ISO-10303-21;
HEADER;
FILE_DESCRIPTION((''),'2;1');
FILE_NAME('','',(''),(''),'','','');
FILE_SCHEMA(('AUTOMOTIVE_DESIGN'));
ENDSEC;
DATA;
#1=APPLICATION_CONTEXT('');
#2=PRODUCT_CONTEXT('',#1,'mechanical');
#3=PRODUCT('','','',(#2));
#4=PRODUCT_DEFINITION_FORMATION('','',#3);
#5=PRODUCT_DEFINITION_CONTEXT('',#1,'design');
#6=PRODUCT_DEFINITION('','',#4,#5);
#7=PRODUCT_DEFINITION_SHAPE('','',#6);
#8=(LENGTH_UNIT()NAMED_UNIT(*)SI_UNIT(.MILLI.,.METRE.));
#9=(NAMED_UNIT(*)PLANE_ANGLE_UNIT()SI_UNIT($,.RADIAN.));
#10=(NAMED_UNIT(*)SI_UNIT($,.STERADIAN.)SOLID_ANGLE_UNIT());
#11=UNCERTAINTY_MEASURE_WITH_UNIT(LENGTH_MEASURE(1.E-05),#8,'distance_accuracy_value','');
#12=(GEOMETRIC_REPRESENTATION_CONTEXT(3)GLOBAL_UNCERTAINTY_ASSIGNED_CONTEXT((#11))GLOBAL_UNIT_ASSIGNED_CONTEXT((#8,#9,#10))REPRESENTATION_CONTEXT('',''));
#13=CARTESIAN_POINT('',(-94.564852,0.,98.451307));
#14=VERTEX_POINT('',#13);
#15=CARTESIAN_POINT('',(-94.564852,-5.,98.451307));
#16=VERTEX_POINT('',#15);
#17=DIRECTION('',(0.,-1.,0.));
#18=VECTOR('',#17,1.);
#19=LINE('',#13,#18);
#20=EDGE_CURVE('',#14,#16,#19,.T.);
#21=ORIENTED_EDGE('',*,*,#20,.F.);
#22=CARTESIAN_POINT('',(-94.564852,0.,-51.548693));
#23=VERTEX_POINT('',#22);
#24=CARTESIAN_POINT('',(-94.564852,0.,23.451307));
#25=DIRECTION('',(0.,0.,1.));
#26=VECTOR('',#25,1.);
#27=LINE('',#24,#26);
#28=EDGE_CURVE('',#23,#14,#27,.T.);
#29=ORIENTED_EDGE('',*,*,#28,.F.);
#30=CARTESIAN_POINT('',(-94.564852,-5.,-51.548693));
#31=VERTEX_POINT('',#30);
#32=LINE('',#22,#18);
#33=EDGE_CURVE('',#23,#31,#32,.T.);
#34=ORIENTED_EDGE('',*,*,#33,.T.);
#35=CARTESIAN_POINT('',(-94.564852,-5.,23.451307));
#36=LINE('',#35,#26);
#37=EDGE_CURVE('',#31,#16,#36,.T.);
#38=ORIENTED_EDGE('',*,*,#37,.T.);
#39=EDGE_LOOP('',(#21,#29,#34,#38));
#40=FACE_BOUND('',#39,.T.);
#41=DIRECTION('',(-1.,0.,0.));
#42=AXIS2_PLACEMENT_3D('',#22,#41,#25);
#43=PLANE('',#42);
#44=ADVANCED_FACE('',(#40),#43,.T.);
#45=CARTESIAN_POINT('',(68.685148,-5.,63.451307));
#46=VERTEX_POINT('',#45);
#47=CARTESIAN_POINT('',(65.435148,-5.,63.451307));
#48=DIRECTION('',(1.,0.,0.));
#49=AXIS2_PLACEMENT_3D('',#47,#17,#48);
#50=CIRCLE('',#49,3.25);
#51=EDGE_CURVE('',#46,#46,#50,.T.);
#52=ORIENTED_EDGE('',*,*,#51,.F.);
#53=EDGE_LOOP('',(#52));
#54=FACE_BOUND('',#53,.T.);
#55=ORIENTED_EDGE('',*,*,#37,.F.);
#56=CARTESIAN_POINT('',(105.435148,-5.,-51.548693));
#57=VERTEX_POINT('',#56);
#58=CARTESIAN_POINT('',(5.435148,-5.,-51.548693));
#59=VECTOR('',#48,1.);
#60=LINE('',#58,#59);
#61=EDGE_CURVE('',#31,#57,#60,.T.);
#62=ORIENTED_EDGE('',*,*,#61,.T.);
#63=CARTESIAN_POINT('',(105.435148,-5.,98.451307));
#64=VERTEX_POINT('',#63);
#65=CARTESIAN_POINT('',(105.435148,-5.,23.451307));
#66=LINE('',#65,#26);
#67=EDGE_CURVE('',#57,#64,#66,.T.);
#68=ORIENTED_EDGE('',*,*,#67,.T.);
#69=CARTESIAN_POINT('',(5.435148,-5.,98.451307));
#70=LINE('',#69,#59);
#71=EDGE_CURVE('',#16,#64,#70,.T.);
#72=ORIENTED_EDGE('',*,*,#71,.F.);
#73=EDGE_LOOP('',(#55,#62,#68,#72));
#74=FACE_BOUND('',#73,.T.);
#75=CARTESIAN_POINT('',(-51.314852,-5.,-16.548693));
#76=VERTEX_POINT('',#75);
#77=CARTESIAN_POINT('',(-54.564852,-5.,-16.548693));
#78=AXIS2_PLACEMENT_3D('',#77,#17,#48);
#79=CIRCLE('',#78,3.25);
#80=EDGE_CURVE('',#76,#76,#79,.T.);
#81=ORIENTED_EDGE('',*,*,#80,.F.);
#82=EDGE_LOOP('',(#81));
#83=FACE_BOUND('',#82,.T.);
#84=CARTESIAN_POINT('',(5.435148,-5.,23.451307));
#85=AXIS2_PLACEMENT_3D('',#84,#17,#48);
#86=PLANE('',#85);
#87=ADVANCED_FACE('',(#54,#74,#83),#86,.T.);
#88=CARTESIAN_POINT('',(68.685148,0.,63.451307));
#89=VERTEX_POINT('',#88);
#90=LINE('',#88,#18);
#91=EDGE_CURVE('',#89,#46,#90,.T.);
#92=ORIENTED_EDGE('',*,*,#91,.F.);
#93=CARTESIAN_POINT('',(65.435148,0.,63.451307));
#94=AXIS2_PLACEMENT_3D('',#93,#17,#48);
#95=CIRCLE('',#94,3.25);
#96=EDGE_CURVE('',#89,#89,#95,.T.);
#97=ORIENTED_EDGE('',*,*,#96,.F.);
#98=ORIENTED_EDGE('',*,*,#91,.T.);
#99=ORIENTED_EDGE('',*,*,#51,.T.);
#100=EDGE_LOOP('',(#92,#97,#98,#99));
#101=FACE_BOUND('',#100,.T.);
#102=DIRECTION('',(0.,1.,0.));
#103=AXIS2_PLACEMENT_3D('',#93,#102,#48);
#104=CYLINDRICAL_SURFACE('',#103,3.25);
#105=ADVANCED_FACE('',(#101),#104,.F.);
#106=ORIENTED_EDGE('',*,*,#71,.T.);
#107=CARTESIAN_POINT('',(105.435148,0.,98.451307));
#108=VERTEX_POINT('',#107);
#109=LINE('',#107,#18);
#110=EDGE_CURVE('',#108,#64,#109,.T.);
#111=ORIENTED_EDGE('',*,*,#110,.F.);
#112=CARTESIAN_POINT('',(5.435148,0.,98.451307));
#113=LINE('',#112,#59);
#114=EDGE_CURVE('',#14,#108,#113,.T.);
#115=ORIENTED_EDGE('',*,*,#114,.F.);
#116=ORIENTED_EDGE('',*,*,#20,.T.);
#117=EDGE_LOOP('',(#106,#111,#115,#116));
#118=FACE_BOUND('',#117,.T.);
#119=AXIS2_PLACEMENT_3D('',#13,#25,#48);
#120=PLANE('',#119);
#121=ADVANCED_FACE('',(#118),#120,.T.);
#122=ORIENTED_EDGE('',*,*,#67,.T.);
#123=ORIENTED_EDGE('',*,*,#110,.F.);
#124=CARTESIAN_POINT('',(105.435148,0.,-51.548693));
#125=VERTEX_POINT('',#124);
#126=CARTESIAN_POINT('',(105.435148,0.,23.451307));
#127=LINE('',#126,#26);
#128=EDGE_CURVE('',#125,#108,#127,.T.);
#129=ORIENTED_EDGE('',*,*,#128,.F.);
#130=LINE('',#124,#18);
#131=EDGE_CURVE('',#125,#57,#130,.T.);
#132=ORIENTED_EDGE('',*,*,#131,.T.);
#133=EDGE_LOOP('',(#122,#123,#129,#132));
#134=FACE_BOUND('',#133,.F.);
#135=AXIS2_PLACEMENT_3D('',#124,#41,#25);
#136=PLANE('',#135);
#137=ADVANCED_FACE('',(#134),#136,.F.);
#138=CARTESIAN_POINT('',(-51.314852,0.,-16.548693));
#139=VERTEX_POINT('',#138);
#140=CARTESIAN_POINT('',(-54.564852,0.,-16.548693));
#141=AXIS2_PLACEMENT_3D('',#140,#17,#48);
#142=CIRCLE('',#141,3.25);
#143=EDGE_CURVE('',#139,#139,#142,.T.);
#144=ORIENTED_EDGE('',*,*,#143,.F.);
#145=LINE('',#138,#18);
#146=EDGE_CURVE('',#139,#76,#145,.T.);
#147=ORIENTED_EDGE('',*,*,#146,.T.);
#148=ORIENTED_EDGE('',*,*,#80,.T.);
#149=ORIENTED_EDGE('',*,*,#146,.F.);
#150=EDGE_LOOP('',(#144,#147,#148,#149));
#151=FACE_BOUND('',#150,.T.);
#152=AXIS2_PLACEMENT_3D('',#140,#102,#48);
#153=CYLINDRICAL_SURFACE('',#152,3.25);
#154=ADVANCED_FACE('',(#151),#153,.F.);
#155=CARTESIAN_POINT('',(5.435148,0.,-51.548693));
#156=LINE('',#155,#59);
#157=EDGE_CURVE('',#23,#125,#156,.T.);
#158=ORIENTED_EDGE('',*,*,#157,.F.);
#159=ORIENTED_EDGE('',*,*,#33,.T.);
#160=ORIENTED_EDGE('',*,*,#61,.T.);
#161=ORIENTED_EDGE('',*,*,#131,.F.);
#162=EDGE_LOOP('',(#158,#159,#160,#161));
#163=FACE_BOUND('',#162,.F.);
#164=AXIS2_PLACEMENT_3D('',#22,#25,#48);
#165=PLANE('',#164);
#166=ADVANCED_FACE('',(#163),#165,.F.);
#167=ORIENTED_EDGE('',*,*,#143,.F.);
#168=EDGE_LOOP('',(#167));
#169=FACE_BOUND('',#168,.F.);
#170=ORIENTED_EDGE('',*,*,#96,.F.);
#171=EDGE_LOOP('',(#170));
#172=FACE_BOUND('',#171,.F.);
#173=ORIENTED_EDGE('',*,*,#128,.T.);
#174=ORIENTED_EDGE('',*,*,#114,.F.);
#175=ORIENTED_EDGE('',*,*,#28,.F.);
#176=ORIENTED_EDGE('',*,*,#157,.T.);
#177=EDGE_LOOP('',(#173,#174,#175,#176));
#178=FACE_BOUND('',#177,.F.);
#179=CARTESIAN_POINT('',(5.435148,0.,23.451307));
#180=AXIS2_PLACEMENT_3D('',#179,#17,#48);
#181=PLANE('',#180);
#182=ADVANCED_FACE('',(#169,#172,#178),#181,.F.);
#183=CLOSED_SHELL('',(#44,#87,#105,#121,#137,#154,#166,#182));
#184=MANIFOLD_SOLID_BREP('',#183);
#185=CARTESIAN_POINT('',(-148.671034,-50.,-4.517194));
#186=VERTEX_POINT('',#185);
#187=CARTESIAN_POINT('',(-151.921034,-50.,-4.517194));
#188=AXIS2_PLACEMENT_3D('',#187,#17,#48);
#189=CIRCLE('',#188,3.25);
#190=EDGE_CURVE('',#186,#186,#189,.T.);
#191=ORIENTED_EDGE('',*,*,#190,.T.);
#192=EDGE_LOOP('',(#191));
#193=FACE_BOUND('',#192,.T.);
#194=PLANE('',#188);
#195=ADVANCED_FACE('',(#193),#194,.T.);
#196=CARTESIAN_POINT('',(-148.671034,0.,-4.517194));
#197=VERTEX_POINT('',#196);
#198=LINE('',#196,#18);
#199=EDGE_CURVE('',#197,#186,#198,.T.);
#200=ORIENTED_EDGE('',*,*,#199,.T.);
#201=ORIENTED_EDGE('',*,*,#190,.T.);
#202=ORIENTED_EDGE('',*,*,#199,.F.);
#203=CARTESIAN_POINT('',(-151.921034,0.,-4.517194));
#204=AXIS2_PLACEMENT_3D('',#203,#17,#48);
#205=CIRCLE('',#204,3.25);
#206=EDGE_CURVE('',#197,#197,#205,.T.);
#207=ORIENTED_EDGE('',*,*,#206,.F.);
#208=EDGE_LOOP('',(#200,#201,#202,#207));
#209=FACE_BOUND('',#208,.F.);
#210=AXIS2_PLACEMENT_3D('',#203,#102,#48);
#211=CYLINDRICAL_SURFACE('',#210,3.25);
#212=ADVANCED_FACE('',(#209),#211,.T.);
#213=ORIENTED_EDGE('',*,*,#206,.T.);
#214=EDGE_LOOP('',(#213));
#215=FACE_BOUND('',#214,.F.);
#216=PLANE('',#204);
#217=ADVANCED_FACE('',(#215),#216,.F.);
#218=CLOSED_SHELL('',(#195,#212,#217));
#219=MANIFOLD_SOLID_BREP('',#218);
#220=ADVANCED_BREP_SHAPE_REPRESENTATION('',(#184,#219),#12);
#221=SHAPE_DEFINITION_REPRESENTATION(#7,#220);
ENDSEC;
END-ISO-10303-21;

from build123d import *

# Parameters (mm, degrees)
F0_W     = 200
F0_H     = 150
F0_R     = 3.25
F1_DEPTH = 5
F2_DEPTH = 50


with BuildPart() as f1:
    # F0 (on Front) → F1 (new body)
    with BuildSketch(Plane.XZ):
        with Locations((5.435148, 23.451307)):
            Rectangle(F0_W, F0_H)
        with Locations((-54.564852, -16.548693)):
            Circle(F0_R, mode=Mode.SUBTRACT)
        with Locations((65.435148, 63.451307)):
            Circle(F0_R, mode=Mode.SUBTRACT)
    extrude(amount=F1_DEPTH)


with BuildPart() as f2:
    # F0 (on Front) → F2 (new body)
    with BuildSketch(Plane.XZ):
        with Locations((-151.921034, -4.517194)):
            Circle(F0_R)
    extrude(amount=F2_DEPTH)


solid = Compound([f1.part, f2.part])
